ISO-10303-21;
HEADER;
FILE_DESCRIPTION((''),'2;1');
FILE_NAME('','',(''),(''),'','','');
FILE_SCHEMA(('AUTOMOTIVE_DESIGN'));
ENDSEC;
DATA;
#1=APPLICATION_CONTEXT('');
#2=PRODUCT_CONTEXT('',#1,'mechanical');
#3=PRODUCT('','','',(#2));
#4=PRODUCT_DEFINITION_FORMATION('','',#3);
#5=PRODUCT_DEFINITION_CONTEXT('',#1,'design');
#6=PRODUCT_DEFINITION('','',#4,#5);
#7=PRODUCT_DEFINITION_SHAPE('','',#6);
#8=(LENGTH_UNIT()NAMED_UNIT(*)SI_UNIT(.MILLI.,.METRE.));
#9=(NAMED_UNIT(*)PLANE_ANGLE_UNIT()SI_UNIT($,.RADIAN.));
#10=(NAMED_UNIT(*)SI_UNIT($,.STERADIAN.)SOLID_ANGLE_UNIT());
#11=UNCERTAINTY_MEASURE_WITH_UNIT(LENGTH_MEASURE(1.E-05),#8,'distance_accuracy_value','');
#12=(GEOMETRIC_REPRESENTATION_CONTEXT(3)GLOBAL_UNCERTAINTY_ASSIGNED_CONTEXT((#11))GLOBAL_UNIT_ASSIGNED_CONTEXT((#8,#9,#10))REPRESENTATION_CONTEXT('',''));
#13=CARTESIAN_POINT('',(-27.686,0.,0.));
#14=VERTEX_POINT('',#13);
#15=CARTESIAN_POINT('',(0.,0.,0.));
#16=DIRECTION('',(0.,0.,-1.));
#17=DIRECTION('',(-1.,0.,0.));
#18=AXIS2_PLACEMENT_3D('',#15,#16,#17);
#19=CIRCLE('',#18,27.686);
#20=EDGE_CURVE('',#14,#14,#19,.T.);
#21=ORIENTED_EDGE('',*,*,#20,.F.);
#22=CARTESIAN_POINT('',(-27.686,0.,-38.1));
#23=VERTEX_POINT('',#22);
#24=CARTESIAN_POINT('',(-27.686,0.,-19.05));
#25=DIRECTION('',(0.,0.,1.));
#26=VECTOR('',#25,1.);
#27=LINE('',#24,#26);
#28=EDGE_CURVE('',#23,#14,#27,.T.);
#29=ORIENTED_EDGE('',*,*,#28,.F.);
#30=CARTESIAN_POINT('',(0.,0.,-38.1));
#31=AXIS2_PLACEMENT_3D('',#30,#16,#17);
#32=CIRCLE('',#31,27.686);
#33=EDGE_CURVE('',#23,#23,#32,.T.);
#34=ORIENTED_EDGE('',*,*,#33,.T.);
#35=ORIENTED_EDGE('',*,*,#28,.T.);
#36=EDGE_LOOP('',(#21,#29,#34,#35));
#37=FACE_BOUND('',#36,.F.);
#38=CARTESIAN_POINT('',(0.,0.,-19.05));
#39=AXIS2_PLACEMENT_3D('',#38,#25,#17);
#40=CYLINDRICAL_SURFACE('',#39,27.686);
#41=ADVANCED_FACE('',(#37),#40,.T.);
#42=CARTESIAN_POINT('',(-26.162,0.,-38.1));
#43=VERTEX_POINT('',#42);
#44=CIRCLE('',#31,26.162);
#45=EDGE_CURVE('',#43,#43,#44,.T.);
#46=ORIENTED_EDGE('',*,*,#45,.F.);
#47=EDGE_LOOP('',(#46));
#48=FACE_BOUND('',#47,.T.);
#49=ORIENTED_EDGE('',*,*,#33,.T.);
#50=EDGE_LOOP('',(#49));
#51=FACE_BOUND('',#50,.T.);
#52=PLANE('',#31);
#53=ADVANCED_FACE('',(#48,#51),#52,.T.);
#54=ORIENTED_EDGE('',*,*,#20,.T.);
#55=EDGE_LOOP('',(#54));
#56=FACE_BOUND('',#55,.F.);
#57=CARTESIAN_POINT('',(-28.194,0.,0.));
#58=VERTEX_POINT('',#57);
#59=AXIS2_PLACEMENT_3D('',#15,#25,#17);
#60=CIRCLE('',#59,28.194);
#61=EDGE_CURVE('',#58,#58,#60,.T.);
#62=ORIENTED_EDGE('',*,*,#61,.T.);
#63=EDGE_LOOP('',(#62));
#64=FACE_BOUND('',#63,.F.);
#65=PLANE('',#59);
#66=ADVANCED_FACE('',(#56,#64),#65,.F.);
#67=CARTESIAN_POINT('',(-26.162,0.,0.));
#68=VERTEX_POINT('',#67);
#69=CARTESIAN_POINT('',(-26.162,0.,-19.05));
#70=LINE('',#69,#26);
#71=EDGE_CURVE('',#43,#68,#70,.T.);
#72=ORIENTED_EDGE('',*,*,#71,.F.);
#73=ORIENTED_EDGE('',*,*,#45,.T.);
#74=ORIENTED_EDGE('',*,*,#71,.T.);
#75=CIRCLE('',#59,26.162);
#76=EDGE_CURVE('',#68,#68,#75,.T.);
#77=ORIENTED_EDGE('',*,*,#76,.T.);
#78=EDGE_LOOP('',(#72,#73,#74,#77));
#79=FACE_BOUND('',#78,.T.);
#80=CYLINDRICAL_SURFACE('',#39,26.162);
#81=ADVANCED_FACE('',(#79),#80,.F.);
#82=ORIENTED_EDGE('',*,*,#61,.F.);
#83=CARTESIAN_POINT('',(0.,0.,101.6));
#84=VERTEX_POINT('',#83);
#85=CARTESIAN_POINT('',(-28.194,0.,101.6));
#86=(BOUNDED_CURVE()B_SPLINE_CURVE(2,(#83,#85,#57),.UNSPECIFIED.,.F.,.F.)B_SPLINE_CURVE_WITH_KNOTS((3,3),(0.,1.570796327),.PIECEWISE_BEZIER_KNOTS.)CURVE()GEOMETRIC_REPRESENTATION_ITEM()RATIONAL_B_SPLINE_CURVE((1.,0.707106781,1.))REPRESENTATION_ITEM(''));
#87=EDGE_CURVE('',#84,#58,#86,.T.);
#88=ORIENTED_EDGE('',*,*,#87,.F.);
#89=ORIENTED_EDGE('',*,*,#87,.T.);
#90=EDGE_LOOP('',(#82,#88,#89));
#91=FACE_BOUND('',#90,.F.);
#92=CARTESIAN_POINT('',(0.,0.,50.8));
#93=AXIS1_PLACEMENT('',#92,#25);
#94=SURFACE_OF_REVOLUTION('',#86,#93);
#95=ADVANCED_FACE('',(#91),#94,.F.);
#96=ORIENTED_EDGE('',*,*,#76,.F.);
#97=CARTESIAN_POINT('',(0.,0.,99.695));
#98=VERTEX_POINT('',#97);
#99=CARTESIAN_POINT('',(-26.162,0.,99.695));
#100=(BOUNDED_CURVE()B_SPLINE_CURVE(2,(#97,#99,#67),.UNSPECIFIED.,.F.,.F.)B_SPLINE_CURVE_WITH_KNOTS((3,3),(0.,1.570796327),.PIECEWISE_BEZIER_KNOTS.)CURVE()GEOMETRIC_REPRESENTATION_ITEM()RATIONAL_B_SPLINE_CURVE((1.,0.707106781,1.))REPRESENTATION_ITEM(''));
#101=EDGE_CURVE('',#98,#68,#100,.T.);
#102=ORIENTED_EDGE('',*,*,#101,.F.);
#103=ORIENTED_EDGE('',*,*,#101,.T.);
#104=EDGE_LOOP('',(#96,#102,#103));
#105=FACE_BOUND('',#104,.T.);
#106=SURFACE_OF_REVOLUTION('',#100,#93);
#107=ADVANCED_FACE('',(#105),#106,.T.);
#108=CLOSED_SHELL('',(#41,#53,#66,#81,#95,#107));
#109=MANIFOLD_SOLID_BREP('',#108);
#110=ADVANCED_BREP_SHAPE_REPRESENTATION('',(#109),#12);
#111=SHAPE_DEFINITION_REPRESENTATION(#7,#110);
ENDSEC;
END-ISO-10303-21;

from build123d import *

# Parameters (mm, degrees)
F2_W = 1.524
F2_H = 38.1


with BuildPart() as f1:
    # F0 (on Front) → F1 (revolve)
    with BuildSketch(Plane.XZ):
        with BuildLine():
            Line((0, 99.695), (0, 101.6))
            add(Edge.make_bspline(
                [(0, 101.6), (-28.194, 101.6), (-28.194, 0)],
                knots=[0, 0, 0, 1.5707963268, 1.5707963268, 1.5707963268], degree=2, weights=[1, 0.7071067812, 1]))
            Line((-28.194, 0), (-26.162, 0))
            add(Edge.make_bspline(
                [(0, 99.695), (-26.162, 99.695), (-26.162, 0)],
                knots=[0, 0, 0, 1.5707963268, 1.5707963268, 1.5707963268], degree=2, weights=[1, 0.7071067812, 1]))
        make_face()
    revolve(axis=Axis((0, 0, 50.8), (0, 0, 1)))

    # F2 (on Front) → F3 (revolve)
    with BuildSketch(Plane.XZ):
        with Locations((-26.924, -19.05)):
            Rectangle(F2_W, F2_H)
    revolve(axis=Axis((0, 0, -19.05), (0, 0, -1)))


solid = f1.part
